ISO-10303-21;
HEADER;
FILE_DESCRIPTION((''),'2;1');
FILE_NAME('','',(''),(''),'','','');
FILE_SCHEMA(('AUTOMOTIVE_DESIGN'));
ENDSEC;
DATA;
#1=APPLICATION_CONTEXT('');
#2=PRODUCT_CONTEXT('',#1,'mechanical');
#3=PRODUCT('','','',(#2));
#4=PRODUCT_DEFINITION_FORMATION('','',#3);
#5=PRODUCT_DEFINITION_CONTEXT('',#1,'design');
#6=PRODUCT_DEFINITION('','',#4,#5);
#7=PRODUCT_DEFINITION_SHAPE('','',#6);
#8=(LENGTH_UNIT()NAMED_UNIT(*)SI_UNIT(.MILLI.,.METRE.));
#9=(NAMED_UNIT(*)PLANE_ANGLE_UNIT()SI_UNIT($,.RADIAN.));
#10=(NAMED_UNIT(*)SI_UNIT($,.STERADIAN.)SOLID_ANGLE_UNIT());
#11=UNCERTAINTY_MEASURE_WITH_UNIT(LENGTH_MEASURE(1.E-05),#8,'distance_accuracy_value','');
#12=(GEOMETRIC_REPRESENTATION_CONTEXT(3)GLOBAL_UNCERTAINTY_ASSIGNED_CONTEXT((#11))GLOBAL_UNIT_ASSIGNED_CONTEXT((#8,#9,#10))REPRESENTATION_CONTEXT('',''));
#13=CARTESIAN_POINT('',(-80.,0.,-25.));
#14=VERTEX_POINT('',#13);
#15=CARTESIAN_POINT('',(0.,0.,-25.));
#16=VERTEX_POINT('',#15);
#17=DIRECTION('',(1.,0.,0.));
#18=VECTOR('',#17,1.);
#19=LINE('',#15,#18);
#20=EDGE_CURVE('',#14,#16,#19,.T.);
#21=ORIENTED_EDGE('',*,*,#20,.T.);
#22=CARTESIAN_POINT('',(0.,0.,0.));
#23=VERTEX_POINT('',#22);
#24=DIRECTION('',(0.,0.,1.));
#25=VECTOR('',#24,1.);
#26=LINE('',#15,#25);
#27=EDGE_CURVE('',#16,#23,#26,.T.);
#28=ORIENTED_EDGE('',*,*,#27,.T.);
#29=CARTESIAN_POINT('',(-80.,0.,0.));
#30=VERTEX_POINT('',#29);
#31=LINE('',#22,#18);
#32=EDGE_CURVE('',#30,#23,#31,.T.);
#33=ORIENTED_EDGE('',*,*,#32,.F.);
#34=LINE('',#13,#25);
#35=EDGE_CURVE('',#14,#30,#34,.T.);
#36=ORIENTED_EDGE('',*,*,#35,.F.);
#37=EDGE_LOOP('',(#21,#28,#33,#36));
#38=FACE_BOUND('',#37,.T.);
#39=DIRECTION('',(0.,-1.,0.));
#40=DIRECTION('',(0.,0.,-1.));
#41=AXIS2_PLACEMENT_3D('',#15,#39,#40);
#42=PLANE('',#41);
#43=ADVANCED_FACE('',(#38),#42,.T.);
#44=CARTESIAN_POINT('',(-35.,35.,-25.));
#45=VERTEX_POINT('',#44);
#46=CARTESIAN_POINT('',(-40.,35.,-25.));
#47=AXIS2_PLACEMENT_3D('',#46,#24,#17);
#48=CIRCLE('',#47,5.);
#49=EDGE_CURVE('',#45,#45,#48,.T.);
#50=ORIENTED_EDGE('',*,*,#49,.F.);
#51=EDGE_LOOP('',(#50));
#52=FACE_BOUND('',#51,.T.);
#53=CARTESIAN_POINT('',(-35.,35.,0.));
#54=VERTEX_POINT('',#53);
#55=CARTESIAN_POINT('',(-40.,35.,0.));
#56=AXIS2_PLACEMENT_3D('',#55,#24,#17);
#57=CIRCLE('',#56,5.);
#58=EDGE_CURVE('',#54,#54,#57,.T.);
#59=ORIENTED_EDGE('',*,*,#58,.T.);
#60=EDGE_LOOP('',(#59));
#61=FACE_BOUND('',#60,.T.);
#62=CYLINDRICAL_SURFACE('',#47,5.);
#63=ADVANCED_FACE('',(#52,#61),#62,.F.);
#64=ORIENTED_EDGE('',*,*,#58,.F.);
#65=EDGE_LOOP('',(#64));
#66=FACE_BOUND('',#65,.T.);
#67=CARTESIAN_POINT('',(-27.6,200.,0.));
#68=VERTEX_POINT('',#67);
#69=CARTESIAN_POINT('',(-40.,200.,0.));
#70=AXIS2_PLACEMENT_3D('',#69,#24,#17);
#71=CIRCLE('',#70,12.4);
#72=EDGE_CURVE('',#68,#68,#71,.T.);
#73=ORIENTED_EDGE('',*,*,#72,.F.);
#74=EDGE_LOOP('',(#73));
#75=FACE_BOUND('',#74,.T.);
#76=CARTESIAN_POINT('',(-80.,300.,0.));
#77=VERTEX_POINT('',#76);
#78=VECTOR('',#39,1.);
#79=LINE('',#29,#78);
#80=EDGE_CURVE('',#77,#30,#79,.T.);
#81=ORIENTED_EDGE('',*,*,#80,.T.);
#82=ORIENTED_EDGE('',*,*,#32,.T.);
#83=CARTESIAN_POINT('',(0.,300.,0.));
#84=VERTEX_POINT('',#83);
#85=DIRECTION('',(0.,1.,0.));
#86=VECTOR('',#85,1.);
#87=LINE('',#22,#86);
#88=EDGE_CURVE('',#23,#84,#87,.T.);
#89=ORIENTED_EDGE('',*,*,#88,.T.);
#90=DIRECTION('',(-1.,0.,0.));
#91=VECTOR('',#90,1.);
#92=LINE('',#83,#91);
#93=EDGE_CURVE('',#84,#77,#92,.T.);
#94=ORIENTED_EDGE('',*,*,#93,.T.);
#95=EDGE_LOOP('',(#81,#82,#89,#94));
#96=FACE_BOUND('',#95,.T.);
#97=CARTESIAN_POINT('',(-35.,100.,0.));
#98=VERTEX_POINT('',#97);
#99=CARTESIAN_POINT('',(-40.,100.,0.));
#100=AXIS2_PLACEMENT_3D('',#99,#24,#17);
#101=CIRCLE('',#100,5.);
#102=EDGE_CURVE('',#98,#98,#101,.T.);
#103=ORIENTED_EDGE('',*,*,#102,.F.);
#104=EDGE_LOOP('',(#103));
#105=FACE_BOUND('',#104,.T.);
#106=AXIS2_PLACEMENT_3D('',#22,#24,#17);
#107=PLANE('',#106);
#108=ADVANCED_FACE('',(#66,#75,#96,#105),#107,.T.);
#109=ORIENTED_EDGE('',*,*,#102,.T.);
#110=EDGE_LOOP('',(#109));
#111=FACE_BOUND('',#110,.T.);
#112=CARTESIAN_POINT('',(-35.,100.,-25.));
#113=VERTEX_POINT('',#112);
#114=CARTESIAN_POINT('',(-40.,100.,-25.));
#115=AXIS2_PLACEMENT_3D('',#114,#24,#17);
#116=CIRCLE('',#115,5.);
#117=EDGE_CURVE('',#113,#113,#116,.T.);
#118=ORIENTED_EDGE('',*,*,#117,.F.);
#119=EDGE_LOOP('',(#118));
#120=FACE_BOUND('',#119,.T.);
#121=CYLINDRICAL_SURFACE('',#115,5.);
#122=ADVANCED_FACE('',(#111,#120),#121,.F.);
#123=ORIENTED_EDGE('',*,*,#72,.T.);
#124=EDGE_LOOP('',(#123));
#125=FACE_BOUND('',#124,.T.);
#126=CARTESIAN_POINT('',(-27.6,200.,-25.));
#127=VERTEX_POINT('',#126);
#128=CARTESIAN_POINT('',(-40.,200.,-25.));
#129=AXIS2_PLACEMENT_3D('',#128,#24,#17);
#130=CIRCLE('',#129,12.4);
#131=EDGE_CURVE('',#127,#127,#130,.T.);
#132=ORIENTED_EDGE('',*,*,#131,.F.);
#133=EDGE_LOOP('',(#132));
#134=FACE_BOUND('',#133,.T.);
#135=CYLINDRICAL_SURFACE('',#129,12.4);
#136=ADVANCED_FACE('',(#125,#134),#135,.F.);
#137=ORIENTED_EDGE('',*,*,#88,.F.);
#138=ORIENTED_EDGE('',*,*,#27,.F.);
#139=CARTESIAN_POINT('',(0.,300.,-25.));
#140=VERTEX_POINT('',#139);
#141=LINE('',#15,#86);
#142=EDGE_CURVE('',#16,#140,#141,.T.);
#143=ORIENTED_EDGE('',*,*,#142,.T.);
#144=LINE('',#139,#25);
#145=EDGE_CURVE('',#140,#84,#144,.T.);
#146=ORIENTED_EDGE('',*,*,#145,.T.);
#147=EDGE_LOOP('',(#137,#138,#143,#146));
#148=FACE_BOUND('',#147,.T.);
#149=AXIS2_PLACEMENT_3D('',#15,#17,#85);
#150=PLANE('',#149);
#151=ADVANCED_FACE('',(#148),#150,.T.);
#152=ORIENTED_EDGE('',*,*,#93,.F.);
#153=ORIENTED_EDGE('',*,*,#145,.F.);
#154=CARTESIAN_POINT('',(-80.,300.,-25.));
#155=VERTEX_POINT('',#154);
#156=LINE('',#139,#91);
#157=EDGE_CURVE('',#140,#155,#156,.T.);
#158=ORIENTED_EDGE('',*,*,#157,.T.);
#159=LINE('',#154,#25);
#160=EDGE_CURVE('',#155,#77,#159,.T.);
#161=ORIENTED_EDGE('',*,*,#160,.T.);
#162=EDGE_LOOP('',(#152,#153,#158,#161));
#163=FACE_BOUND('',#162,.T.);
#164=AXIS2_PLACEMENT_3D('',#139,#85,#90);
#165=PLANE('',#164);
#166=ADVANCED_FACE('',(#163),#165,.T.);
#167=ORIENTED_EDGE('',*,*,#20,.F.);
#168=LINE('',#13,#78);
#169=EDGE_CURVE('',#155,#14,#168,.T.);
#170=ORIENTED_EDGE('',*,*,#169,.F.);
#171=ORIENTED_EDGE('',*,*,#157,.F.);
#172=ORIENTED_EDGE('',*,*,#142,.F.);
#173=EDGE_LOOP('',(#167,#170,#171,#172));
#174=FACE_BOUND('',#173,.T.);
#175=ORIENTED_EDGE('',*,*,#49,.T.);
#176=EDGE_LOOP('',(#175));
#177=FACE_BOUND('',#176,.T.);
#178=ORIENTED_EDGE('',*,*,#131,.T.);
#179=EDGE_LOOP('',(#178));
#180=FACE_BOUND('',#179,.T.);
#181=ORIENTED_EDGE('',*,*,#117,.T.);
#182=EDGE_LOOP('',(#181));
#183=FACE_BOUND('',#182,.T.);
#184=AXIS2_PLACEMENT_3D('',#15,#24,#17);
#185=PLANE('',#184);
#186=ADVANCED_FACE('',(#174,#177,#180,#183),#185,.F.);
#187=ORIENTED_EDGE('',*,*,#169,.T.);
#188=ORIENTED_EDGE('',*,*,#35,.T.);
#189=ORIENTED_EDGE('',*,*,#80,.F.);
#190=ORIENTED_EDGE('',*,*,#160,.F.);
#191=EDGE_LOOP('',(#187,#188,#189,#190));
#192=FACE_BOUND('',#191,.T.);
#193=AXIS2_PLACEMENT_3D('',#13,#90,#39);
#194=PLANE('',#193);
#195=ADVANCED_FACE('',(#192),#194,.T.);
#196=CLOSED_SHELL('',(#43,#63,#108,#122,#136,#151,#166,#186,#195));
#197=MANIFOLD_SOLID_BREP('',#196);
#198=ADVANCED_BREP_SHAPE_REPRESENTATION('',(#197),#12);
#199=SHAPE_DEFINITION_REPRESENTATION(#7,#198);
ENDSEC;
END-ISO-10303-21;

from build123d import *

# Parameters (mm, degrees)
SKETCH1_W           = 80
SKETCH1_H           = 300
SKETCH1_R           = 12.4
SKETCH1_R_2         = 5
BOSS_EXTRUDE2_DEPTH = 25


with BuildPart() as part:
    # Sketch1 → Boss-Extrude2 (new body)
    with BuildSketch(Plane.XY):
        with Locations((-40, 150)):
            Rectangle(SKETCH1_W, SKETCH1_H)
        with Locations((-40, 200)):
            Circle(SKETCH1_R, mode=Mode.SUBTRACT)
        with Locations((-40, 35)):
            Circle(SKETCH1_R_2, mode=Mode.SUBTRACT)
        with Locations((-40, 100)):
            Circle(SKETCH1_R_2, mode=Mode.SUBTRACT)
    extrude(amount=-BOSS_EXTRUDE2_DEPTH)


solid = part.part
